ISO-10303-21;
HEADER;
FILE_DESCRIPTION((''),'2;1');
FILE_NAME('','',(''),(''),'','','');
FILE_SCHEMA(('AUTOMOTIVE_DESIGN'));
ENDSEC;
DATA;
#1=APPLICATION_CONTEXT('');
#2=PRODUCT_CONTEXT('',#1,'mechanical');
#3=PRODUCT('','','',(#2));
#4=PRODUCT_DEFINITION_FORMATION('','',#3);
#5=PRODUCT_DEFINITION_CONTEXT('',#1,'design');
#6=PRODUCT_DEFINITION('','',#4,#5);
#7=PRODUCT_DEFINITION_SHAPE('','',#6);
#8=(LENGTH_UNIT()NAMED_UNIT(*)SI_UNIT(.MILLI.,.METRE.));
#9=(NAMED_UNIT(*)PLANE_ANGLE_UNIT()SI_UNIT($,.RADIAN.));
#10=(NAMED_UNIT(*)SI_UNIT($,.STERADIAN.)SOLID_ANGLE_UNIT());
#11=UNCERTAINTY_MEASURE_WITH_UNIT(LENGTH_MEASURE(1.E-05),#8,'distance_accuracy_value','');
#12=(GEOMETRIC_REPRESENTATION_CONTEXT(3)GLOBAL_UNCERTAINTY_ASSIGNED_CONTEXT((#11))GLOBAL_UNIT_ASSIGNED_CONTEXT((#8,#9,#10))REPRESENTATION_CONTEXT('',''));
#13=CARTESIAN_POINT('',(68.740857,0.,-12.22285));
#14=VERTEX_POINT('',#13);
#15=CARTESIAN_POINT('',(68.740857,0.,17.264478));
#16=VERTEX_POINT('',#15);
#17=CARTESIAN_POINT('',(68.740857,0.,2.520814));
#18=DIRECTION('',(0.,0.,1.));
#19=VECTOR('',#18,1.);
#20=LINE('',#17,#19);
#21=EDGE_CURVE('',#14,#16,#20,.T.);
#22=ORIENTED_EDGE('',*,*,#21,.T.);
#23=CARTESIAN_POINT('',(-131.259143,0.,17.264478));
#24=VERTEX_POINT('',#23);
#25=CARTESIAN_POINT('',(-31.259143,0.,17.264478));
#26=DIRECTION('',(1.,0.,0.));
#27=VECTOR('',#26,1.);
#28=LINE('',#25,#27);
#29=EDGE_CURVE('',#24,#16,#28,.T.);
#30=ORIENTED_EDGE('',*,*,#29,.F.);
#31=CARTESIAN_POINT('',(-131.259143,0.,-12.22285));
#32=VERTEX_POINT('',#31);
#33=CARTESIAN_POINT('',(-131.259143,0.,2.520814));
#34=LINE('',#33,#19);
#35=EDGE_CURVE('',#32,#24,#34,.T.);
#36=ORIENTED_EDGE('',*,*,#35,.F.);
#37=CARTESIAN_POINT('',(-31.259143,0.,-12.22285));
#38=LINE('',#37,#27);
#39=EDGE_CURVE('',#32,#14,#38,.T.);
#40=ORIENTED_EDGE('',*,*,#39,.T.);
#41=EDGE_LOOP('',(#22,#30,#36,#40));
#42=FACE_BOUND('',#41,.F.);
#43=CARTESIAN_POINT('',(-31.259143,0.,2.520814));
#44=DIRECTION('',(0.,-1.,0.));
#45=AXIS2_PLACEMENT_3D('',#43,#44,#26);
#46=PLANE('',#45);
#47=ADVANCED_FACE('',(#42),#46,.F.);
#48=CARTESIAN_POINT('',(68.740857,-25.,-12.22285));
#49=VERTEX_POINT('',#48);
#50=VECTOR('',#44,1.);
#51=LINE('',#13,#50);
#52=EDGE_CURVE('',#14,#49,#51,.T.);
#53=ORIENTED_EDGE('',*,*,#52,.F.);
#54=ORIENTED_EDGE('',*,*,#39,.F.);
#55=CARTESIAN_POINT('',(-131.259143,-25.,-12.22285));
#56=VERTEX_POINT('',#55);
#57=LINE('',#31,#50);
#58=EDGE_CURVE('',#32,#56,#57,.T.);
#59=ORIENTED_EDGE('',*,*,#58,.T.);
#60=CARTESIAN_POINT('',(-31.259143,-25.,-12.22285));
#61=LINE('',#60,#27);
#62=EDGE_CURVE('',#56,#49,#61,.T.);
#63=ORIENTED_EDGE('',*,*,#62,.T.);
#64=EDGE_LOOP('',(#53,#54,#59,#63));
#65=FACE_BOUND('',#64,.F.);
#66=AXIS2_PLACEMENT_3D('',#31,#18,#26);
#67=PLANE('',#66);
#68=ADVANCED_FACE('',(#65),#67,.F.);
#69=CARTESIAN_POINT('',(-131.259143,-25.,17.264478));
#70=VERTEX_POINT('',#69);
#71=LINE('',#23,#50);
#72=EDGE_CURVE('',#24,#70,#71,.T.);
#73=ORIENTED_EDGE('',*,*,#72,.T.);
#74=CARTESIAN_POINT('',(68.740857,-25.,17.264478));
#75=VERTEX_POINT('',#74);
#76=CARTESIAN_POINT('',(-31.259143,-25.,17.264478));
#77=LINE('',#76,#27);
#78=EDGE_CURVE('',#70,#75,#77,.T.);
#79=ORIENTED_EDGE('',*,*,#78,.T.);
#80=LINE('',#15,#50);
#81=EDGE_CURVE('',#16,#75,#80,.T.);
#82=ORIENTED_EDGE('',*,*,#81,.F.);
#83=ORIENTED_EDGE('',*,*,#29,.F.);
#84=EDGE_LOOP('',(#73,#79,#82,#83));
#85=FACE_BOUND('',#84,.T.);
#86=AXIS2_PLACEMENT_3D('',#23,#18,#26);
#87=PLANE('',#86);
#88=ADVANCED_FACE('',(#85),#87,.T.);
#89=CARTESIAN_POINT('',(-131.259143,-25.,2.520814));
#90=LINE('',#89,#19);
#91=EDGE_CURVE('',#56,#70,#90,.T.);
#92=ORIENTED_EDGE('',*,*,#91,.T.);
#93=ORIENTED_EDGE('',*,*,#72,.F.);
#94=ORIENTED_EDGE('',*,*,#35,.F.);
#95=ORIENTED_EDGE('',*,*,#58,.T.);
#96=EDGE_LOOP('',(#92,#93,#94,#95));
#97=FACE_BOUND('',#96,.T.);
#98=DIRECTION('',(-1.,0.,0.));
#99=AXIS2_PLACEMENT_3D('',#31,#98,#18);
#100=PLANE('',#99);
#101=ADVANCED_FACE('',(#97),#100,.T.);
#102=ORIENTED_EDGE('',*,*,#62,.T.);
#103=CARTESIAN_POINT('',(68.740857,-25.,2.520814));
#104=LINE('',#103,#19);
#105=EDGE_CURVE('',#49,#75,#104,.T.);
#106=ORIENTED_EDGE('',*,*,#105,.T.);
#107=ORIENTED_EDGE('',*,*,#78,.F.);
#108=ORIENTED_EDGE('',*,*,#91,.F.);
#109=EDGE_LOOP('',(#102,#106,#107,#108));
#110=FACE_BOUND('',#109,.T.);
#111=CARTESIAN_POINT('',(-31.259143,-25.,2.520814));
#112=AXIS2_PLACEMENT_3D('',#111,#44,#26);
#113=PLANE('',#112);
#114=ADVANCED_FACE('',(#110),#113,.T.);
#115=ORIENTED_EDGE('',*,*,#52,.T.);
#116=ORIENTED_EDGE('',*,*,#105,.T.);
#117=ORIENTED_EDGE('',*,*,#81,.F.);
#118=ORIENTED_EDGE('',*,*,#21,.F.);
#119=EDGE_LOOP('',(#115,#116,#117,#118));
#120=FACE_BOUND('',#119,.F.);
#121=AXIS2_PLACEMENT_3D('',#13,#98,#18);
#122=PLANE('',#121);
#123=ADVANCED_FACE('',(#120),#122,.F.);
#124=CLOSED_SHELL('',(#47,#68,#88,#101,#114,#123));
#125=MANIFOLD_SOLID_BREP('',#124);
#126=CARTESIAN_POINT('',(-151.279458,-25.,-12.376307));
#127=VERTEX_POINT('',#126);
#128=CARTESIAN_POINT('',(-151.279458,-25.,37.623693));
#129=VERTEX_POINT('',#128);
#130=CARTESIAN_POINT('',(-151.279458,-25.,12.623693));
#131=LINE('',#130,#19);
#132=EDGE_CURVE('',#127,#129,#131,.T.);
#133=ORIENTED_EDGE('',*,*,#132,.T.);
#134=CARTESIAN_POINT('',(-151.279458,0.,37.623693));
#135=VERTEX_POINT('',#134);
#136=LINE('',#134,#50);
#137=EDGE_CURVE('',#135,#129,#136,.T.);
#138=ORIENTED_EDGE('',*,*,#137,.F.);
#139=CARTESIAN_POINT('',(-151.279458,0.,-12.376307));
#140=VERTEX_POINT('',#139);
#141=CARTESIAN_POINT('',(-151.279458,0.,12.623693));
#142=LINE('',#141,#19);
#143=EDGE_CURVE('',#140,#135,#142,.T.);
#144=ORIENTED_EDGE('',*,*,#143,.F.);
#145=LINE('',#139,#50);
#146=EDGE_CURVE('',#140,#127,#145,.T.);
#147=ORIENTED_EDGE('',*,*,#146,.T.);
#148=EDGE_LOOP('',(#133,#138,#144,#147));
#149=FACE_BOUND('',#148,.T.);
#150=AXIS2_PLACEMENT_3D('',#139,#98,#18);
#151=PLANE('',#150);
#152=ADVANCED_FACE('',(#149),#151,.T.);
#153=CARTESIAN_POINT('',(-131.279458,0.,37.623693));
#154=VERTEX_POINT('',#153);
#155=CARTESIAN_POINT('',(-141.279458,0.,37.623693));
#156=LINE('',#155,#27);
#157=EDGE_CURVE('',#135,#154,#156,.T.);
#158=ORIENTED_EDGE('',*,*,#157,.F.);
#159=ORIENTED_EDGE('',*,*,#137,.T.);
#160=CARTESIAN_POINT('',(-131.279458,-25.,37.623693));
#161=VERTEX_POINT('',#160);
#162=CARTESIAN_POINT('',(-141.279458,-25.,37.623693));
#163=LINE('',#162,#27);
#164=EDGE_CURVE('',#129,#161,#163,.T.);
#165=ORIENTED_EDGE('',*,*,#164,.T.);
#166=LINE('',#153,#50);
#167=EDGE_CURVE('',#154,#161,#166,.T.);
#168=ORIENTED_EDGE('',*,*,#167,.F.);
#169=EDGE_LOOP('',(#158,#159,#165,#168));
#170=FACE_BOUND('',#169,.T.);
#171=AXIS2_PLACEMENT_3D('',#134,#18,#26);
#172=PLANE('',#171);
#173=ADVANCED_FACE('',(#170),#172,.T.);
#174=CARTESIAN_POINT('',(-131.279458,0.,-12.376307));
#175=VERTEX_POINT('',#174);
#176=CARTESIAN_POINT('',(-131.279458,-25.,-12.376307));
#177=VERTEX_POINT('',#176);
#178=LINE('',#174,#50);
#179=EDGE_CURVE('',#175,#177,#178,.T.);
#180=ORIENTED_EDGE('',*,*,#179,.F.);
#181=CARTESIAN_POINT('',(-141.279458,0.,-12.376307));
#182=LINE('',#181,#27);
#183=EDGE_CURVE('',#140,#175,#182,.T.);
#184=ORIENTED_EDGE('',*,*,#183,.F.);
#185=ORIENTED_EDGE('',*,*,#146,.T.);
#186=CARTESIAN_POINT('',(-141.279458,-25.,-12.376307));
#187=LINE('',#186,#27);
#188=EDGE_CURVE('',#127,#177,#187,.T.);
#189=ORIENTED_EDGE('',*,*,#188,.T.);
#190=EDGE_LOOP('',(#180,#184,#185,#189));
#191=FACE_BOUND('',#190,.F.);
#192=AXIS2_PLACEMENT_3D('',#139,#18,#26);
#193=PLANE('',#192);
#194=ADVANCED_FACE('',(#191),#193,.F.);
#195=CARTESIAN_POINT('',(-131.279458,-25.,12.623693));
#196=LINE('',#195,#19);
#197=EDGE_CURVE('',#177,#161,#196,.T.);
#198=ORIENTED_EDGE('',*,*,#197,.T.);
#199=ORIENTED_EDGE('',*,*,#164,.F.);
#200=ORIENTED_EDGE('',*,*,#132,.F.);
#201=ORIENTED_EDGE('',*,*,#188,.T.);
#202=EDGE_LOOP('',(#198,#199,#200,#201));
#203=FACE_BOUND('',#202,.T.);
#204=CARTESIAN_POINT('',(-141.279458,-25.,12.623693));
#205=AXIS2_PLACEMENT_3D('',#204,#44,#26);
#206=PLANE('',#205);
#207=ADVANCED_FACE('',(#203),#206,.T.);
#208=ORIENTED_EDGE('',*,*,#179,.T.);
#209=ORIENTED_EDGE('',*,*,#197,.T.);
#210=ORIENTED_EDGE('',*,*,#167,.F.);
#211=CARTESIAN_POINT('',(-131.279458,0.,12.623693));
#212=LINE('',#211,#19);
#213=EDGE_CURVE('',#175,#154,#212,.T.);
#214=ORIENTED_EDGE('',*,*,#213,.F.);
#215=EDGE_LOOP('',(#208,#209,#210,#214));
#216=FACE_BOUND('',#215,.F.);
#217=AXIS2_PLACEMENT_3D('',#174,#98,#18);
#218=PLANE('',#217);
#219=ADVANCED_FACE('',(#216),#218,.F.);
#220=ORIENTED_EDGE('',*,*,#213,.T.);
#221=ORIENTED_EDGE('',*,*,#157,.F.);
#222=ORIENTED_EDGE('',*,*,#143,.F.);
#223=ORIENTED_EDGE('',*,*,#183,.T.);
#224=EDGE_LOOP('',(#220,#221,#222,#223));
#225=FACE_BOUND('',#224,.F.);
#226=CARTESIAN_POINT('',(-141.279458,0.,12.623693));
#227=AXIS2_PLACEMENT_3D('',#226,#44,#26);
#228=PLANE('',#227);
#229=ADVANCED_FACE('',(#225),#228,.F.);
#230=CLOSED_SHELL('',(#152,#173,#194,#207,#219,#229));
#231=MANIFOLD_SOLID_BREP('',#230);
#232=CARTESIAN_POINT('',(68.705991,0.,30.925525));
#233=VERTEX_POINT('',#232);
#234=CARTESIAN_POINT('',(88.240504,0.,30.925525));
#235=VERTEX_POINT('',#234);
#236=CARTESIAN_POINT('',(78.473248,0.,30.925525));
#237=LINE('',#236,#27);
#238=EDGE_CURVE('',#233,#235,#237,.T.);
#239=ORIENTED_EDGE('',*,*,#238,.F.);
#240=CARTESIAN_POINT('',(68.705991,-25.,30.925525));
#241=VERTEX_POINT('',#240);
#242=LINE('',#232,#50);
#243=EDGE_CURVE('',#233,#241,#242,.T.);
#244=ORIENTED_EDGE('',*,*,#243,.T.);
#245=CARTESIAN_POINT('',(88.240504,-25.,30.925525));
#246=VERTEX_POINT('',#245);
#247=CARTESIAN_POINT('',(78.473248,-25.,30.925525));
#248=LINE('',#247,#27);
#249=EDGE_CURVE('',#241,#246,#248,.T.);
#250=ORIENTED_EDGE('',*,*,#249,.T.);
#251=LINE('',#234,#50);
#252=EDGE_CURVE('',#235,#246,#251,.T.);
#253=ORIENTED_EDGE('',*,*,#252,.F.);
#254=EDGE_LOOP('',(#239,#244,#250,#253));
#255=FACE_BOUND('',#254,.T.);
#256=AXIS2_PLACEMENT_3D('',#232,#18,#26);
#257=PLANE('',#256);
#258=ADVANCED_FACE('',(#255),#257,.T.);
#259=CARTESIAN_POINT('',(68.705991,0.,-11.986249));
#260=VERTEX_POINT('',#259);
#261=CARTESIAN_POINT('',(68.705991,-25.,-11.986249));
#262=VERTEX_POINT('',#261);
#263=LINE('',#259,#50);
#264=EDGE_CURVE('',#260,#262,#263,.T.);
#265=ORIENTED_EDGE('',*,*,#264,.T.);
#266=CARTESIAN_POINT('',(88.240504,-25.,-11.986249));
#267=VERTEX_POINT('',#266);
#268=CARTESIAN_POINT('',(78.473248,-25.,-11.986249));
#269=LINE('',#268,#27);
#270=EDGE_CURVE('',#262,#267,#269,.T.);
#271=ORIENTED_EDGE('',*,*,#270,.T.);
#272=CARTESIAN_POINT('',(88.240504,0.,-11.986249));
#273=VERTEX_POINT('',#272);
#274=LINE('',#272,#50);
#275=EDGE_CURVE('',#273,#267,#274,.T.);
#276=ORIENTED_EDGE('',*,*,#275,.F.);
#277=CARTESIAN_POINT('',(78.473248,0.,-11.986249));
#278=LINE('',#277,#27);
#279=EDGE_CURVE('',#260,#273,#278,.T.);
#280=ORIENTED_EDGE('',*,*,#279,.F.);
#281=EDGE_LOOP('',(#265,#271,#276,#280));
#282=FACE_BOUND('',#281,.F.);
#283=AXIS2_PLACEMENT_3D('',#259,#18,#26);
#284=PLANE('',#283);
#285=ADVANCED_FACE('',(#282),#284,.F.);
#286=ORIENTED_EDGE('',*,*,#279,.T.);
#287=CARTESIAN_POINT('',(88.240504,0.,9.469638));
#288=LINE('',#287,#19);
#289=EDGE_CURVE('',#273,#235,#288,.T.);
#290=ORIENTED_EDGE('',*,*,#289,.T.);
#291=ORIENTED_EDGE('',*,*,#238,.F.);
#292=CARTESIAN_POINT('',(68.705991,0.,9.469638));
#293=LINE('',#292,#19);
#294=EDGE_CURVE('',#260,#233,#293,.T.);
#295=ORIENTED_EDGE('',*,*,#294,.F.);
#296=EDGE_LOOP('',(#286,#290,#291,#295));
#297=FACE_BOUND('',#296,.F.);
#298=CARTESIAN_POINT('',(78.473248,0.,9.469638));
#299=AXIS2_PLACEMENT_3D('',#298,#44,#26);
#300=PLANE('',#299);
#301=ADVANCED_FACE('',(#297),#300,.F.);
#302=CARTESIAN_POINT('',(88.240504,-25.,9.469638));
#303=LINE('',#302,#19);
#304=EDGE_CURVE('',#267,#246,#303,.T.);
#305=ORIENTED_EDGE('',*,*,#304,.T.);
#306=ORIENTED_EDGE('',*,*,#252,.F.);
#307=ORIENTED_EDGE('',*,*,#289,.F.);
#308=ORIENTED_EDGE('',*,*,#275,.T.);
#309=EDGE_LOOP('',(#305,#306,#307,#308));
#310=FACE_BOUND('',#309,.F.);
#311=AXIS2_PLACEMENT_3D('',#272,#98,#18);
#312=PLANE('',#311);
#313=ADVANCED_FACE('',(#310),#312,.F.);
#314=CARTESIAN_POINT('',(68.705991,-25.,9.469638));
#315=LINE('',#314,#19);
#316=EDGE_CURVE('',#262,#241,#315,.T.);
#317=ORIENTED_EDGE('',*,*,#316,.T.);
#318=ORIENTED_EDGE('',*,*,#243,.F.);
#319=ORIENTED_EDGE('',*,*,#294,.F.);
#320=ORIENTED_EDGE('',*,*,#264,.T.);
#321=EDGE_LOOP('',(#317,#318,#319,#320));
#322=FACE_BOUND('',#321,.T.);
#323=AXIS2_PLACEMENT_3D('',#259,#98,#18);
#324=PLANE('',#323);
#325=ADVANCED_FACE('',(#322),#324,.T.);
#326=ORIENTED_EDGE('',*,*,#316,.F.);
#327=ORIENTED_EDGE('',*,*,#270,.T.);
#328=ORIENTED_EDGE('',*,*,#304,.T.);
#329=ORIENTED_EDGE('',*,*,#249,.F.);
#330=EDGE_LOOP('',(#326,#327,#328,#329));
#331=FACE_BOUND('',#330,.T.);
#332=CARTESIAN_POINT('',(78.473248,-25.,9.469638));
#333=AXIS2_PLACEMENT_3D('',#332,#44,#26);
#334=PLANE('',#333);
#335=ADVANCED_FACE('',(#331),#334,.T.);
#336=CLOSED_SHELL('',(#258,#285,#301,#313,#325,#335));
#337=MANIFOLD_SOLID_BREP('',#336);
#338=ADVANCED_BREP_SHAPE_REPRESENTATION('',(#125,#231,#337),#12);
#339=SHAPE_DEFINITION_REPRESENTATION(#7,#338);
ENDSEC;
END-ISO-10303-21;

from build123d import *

# Parameters (mm, degrees)
F0_W     = 20
F0_H     = 50
F3_DEPTH = 25
F1_W     = 200
F1_H     = 29.4873276725
F2_W     = 19.5345133543
F2_H     = 42.9117744789


with BuildPart() as f3:
    # F0 (on Front) → F3 (new body)
    with BuildSketch(Plane.XZ):
        with Locations((-141.2794581467, 12.6236931145)):
            Rectangle(F0_W, F0_H)
    extrude(amount=F3_DEPTH)


with BuildPart() as f3b:
    # F1 (on Front) → F3, piece 2 (new body)
    with BuildSketch(Plane.XZ):
        with Locations((-31.2591433525, 2.5208140723)):
            Rectangle(F1_W, F1_H)
    extrude(amount=F3_DEPTH)


with BuildPart() as f3c:
    # F2 (on Front) → F3, piece 3 (new body)
    with BuildSketch(Plane.XZ):
        with Locations((78.4732475877, 9.4696381129)):
            Rectangle(F2_W, F2_H)
    extrude(amount=F3_DEPTH)


solid = Compound([f3.part, f3b.part, f3c.part])
